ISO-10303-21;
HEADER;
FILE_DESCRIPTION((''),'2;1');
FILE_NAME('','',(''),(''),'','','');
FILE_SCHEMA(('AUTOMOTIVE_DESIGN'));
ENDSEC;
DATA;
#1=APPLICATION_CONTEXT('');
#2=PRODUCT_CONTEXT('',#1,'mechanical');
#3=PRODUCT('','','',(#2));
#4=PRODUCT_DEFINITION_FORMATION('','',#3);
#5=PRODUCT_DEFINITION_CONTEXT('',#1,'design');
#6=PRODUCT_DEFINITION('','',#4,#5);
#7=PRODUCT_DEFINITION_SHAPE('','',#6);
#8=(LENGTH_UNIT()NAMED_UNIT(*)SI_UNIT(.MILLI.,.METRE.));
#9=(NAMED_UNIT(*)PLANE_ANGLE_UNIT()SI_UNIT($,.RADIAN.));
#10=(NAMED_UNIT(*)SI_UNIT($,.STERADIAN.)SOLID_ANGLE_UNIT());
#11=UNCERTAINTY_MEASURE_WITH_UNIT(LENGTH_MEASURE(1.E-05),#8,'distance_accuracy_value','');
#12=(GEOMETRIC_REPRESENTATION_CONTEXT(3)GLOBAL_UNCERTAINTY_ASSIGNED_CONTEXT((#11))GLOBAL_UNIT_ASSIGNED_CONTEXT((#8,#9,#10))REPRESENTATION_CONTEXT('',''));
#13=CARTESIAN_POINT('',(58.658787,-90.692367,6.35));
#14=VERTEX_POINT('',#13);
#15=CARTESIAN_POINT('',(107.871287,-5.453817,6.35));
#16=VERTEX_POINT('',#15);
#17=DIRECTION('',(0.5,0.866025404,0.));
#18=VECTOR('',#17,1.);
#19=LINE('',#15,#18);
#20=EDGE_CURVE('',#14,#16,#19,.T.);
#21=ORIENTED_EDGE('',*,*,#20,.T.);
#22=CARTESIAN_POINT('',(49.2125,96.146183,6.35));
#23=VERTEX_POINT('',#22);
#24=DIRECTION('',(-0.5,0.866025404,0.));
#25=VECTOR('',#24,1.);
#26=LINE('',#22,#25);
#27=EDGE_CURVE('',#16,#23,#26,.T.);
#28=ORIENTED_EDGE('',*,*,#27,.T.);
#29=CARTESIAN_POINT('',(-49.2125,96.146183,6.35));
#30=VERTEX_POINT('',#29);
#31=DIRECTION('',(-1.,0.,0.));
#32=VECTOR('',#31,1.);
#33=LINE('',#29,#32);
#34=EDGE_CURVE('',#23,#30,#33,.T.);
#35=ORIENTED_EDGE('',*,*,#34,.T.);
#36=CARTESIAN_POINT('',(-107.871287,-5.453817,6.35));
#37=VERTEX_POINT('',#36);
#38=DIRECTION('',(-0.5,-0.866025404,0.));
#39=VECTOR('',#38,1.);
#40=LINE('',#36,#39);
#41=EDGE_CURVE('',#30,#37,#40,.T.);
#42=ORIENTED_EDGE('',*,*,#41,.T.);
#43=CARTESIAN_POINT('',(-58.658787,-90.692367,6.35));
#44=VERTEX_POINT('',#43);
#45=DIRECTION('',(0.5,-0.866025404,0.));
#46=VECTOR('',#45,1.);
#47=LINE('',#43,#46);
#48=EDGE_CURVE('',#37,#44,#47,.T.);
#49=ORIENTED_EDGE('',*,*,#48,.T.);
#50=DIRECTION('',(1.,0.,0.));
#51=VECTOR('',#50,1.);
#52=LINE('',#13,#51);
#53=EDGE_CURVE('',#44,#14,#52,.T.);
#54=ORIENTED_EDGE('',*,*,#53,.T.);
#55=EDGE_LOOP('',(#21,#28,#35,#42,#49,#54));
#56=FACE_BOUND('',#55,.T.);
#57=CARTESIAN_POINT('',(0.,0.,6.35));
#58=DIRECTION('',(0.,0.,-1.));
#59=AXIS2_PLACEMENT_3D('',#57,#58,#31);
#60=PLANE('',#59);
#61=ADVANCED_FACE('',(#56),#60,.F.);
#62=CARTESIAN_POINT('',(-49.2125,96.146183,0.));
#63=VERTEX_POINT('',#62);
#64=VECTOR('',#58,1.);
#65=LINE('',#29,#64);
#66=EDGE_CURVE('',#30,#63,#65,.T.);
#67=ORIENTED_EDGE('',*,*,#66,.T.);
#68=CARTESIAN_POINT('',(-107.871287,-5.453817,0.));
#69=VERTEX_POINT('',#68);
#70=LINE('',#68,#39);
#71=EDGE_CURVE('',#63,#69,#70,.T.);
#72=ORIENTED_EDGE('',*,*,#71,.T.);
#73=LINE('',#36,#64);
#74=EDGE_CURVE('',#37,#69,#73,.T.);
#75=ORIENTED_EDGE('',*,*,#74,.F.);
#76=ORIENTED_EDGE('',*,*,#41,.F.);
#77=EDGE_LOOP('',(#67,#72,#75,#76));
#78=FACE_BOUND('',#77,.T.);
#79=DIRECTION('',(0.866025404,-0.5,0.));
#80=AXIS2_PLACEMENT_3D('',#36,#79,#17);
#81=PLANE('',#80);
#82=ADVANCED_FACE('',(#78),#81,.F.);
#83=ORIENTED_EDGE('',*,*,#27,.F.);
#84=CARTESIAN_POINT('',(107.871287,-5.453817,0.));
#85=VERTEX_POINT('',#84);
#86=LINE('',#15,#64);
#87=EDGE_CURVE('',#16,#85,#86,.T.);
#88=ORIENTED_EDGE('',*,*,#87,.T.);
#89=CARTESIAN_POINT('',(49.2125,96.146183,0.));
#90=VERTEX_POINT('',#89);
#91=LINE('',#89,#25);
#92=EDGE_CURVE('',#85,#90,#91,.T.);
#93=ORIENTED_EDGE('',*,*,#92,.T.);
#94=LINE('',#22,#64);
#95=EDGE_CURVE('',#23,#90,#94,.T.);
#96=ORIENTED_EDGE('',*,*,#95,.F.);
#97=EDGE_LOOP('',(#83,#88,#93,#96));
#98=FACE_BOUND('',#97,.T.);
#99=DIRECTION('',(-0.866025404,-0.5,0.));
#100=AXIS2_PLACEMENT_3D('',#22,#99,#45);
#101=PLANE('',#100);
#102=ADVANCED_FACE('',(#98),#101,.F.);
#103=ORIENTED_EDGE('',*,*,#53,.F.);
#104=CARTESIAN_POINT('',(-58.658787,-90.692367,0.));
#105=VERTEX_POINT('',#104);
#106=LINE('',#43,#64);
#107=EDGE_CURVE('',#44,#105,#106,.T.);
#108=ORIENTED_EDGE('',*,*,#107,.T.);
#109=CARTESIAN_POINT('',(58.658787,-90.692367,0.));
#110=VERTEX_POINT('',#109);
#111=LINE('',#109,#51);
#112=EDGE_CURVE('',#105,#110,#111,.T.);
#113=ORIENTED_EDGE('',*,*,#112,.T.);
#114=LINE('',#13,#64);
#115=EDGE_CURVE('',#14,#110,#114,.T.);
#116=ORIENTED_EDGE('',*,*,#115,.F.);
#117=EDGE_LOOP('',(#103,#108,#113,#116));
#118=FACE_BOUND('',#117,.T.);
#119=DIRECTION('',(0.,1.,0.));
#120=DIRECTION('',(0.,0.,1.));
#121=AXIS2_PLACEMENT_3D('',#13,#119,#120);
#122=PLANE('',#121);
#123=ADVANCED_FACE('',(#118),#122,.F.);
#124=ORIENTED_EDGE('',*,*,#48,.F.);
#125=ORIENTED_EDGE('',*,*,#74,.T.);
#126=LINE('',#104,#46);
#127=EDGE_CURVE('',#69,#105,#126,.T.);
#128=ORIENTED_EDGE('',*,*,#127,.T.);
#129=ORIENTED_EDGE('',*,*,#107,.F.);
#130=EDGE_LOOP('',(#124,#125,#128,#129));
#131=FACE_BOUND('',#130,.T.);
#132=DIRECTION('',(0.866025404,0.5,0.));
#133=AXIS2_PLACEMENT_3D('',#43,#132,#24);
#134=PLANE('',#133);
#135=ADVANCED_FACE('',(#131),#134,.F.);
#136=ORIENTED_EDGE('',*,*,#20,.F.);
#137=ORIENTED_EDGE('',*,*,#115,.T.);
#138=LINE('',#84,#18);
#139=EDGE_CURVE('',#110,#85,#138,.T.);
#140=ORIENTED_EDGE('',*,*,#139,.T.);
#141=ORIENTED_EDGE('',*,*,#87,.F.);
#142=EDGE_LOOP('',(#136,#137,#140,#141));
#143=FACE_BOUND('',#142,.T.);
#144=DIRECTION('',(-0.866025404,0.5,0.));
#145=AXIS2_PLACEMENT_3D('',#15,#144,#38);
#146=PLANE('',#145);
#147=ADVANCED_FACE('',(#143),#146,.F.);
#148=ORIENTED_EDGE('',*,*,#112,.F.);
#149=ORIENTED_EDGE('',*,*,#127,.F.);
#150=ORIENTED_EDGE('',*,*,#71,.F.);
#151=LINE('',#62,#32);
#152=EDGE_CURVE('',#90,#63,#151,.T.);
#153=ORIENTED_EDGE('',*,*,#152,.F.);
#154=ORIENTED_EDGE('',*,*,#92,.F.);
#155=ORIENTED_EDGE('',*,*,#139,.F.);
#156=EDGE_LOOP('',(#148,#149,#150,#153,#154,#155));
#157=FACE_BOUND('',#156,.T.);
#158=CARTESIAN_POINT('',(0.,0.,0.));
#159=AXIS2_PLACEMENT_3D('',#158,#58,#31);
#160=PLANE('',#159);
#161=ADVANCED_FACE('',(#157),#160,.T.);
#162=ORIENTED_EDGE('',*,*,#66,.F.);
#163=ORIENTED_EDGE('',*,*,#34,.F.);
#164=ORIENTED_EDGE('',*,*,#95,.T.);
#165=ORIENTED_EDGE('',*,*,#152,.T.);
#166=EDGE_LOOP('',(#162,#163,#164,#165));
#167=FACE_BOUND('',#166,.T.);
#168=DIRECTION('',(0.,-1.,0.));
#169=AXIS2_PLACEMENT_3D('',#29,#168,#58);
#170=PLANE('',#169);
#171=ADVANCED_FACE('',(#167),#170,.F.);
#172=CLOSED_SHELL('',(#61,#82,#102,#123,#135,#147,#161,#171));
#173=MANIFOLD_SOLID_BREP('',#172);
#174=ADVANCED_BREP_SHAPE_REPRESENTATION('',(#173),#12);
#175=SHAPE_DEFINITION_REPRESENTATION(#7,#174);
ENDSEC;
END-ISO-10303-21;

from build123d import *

# Parameters (mm, degrees)
BOSS_EXTRUDE1_DEPTH = 6.35


with BuildPart() as part:
    # Sketch1 → Boss-Extrude1 (new body)
    with BuildSketch(Plane.XY):
        Polygon((-49.2125, 96.146183456), (49.2125, 96.146183456), (107.87128735, -5.453816544), (58.65878735, -90.692366912), (-58.65878735, -90.692366912), (-107.87128735, -5.453816544), align=None)
    extrude(amount=BOSS_EXTRUDE1_DEPTH)


solid = part.part
